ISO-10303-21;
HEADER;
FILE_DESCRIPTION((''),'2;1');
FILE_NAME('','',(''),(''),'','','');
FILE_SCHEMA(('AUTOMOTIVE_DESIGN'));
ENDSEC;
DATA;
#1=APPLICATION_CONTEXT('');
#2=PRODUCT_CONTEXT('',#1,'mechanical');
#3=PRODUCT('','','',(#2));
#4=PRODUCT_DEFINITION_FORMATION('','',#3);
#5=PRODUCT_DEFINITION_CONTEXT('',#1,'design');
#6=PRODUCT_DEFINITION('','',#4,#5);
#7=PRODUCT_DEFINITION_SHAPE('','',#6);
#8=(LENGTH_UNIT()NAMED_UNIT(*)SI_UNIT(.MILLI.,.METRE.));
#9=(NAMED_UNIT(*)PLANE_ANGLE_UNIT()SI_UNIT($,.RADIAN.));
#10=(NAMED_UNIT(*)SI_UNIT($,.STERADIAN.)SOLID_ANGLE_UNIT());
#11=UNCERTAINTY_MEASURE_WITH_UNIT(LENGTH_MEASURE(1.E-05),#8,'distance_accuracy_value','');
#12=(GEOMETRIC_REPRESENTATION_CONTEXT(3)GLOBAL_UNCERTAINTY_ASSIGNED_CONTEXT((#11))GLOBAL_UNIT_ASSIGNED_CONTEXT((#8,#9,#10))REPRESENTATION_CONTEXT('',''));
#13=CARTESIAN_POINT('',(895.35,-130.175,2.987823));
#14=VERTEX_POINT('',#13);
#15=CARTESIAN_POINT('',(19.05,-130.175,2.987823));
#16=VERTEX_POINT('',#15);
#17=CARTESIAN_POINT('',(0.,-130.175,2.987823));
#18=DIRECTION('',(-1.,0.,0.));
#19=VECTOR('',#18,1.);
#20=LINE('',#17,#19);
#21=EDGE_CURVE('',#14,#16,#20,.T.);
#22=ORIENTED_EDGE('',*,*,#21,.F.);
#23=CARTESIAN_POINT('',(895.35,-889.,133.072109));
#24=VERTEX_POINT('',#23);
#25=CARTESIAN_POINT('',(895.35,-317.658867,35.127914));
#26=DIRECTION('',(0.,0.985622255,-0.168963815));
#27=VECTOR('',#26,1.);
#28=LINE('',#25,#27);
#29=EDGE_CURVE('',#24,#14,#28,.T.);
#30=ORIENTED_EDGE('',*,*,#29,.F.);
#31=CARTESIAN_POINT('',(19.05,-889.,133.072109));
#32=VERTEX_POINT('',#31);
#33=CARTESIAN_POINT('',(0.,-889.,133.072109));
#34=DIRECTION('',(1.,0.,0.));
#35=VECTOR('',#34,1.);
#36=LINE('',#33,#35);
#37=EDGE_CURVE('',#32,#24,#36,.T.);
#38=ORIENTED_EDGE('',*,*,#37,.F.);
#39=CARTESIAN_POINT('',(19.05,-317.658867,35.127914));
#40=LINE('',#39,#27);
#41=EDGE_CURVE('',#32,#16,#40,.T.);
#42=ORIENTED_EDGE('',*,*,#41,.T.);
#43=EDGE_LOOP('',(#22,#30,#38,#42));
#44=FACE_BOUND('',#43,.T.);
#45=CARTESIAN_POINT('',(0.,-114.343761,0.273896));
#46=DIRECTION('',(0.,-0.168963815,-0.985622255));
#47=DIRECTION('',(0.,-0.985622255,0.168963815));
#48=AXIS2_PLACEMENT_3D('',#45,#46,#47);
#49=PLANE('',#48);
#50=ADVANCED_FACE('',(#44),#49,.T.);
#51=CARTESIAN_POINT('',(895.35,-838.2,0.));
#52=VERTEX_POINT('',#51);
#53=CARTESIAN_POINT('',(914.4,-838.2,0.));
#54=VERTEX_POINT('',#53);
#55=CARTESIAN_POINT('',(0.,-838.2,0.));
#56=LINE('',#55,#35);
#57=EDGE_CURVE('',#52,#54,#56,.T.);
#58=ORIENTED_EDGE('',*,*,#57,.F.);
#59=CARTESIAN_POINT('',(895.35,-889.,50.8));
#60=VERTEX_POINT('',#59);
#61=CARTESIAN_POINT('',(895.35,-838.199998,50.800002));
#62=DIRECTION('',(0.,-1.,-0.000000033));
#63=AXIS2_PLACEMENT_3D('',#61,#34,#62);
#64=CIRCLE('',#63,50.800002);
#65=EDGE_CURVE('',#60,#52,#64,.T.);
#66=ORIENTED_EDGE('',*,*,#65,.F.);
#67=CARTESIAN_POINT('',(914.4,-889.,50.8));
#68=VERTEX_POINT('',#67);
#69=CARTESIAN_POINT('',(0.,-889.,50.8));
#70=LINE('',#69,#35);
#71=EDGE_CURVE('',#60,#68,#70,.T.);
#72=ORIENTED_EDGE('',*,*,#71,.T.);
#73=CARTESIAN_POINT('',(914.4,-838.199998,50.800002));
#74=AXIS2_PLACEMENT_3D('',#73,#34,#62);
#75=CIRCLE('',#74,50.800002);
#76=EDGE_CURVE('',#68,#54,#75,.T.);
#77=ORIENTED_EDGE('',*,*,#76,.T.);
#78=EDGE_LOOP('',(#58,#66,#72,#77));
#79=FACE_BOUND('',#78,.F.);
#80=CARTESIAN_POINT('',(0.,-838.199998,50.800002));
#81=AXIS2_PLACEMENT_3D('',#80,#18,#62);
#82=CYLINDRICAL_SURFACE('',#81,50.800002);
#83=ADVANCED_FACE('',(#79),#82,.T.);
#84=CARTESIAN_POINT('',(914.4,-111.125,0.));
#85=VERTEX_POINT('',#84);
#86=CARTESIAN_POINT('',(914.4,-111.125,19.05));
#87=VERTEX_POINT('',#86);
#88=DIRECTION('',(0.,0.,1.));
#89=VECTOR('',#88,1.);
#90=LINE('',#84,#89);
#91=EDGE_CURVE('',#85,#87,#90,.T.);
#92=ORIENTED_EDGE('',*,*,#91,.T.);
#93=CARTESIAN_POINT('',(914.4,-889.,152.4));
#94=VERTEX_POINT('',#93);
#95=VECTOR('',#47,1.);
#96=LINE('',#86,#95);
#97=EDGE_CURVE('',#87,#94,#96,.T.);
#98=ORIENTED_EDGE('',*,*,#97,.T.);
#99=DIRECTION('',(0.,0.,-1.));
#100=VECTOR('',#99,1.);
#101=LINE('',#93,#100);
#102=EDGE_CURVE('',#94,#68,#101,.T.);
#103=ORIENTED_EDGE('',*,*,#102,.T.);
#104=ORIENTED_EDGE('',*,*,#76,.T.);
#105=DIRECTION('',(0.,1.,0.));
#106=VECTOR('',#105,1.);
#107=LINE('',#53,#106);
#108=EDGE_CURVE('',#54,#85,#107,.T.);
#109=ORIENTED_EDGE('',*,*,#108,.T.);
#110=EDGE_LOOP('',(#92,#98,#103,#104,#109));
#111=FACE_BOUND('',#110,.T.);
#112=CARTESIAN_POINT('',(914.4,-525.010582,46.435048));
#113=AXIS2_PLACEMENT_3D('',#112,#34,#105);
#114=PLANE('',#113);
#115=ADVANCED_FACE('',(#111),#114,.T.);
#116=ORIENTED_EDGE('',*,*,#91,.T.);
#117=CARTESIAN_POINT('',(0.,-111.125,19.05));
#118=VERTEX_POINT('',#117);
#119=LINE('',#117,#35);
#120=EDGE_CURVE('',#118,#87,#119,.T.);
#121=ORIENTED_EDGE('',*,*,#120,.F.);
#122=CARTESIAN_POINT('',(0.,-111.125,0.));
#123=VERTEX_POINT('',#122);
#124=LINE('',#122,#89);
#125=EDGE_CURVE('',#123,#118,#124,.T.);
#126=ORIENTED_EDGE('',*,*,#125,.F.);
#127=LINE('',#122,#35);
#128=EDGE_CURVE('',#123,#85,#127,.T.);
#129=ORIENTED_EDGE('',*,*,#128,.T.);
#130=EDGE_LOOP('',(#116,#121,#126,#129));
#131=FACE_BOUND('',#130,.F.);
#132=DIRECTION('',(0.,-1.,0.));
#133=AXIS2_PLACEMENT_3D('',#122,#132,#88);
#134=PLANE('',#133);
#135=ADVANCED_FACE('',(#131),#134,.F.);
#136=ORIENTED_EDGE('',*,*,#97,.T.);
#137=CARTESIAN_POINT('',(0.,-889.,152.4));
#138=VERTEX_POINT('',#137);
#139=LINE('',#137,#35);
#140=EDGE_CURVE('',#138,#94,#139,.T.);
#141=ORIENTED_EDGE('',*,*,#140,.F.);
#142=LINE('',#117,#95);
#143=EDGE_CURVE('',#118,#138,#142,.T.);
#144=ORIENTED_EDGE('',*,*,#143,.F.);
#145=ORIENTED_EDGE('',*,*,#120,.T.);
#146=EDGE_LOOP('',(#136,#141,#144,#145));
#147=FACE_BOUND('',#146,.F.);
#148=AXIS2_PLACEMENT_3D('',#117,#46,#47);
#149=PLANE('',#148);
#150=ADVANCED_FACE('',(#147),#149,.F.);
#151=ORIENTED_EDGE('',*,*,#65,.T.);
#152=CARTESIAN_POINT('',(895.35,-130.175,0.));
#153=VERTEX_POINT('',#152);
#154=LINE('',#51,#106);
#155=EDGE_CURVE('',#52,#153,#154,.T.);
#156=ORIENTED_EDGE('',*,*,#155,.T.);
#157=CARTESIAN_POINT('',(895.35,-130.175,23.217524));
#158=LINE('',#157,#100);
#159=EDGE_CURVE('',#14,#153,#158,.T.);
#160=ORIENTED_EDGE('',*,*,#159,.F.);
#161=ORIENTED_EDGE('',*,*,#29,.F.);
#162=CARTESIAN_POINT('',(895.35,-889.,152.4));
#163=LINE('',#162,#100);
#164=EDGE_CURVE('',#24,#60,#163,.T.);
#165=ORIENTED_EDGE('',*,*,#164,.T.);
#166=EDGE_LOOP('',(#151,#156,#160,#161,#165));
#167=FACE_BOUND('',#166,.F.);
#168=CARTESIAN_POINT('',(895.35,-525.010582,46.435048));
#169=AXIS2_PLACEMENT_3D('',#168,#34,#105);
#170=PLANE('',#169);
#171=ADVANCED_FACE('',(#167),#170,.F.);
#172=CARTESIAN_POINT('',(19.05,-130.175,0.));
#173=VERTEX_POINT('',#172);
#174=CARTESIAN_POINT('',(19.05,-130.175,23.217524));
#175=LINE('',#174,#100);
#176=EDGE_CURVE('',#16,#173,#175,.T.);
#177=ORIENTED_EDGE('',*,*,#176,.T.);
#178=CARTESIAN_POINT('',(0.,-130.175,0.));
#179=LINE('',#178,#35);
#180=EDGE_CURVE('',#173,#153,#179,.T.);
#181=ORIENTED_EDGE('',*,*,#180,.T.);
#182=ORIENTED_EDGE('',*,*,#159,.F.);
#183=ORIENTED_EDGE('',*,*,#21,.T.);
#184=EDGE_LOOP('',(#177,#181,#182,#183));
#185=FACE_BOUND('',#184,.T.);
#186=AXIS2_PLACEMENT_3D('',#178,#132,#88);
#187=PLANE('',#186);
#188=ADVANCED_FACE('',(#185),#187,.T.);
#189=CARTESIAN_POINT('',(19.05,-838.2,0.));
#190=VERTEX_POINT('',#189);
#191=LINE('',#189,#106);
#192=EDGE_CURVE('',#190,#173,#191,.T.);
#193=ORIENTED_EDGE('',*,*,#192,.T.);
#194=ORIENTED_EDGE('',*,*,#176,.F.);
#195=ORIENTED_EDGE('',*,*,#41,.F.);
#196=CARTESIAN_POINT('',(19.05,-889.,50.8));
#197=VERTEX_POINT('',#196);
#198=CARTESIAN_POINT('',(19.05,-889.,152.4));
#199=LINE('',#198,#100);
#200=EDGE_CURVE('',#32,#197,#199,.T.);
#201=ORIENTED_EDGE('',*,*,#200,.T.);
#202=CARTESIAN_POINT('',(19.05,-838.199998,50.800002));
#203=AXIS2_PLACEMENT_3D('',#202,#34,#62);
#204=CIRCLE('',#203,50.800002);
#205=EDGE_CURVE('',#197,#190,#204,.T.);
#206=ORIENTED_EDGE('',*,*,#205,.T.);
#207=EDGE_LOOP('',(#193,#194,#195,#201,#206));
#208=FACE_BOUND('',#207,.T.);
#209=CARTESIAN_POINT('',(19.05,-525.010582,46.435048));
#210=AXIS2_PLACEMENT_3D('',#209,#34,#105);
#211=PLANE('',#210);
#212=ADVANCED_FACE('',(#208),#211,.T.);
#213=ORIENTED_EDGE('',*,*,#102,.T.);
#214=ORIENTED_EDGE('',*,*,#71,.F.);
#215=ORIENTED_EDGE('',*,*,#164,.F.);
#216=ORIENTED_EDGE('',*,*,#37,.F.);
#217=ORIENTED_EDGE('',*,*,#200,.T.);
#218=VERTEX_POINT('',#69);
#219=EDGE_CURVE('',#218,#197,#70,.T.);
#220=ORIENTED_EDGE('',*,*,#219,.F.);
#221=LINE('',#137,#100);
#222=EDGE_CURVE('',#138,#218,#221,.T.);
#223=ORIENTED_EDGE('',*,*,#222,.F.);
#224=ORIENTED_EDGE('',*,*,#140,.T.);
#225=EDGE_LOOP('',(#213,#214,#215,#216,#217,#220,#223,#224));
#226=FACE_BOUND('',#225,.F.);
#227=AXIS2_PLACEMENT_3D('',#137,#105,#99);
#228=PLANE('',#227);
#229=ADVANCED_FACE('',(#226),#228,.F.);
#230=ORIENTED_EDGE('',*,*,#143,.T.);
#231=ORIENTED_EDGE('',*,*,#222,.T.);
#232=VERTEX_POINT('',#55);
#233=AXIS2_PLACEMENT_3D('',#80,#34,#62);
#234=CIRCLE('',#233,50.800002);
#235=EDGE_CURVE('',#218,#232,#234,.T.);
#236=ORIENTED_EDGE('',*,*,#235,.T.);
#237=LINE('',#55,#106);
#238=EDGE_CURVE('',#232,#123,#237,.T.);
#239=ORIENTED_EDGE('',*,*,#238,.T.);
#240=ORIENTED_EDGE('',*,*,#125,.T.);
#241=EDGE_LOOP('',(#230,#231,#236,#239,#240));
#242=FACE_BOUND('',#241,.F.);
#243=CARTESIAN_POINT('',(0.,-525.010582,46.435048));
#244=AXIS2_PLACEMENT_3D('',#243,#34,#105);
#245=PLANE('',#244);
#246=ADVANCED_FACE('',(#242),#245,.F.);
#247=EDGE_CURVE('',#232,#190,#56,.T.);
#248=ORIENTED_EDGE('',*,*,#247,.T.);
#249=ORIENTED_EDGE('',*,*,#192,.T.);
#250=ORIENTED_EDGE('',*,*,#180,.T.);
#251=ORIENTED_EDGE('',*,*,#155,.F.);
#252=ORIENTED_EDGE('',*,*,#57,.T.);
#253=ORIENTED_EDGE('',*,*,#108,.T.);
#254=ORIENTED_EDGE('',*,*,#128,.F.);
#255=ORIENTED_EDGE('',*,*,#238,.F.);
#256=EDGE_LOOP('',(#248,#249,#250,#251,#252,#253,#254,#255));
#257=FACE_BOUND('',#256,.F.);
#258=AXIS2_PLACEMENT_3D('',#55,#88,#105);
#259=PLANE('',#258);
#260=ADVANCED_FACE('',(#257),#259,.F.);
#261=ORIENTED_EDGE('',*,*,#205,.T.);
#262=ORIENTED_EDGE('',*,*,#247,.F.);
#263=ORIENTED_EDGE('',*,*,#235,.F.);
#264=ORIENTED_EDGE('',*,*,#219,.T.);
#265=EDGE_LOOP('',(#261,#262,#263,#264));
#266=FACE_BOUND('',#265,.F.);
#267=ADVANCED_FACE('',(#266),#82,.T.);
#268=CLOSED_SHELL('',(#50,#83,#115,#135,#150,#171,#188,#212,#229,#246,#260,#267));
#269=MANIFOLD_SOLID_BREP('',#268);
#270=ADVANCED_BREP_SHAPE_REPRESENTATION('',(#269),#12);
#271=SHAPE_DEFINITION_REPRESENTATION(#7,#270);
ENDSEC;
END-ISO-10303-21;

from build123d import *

# Parameters (mm, degrees)
F1_DEPTH = 914.4
F2_T     = -19.05


with BuildPart() as f1:
    # F0 (on Right) → F1 (new body)
    with BuildSketch(Plane.YZ):
        with BuildLine():
            Line((-889, 152.4), (-889, 50.8))
            ThreePointArc((-889, 50.8), (-874.121024, 14.878976), (-838.2, 0))
            Line((-838.2, 0), (-111.125, 0))
            Line((-111.125, 0), (-111.125, 19.05))
            Line((-111.125, 19.05), (-889, 152.4))
        make_face()
    extrude(amount=F1_DEPTH)

    # F2
    f2_openings = [f1.faces().sort_by_distance(p)[0] for p in [
        (457.2, -474.6625, 0),
        (457.2, -874.121024, 14.878976),
        (457.2, -889, 101.6),
    ]]
    offset(amount=F2_T, openings=f2_openings)


solid = f1.part
